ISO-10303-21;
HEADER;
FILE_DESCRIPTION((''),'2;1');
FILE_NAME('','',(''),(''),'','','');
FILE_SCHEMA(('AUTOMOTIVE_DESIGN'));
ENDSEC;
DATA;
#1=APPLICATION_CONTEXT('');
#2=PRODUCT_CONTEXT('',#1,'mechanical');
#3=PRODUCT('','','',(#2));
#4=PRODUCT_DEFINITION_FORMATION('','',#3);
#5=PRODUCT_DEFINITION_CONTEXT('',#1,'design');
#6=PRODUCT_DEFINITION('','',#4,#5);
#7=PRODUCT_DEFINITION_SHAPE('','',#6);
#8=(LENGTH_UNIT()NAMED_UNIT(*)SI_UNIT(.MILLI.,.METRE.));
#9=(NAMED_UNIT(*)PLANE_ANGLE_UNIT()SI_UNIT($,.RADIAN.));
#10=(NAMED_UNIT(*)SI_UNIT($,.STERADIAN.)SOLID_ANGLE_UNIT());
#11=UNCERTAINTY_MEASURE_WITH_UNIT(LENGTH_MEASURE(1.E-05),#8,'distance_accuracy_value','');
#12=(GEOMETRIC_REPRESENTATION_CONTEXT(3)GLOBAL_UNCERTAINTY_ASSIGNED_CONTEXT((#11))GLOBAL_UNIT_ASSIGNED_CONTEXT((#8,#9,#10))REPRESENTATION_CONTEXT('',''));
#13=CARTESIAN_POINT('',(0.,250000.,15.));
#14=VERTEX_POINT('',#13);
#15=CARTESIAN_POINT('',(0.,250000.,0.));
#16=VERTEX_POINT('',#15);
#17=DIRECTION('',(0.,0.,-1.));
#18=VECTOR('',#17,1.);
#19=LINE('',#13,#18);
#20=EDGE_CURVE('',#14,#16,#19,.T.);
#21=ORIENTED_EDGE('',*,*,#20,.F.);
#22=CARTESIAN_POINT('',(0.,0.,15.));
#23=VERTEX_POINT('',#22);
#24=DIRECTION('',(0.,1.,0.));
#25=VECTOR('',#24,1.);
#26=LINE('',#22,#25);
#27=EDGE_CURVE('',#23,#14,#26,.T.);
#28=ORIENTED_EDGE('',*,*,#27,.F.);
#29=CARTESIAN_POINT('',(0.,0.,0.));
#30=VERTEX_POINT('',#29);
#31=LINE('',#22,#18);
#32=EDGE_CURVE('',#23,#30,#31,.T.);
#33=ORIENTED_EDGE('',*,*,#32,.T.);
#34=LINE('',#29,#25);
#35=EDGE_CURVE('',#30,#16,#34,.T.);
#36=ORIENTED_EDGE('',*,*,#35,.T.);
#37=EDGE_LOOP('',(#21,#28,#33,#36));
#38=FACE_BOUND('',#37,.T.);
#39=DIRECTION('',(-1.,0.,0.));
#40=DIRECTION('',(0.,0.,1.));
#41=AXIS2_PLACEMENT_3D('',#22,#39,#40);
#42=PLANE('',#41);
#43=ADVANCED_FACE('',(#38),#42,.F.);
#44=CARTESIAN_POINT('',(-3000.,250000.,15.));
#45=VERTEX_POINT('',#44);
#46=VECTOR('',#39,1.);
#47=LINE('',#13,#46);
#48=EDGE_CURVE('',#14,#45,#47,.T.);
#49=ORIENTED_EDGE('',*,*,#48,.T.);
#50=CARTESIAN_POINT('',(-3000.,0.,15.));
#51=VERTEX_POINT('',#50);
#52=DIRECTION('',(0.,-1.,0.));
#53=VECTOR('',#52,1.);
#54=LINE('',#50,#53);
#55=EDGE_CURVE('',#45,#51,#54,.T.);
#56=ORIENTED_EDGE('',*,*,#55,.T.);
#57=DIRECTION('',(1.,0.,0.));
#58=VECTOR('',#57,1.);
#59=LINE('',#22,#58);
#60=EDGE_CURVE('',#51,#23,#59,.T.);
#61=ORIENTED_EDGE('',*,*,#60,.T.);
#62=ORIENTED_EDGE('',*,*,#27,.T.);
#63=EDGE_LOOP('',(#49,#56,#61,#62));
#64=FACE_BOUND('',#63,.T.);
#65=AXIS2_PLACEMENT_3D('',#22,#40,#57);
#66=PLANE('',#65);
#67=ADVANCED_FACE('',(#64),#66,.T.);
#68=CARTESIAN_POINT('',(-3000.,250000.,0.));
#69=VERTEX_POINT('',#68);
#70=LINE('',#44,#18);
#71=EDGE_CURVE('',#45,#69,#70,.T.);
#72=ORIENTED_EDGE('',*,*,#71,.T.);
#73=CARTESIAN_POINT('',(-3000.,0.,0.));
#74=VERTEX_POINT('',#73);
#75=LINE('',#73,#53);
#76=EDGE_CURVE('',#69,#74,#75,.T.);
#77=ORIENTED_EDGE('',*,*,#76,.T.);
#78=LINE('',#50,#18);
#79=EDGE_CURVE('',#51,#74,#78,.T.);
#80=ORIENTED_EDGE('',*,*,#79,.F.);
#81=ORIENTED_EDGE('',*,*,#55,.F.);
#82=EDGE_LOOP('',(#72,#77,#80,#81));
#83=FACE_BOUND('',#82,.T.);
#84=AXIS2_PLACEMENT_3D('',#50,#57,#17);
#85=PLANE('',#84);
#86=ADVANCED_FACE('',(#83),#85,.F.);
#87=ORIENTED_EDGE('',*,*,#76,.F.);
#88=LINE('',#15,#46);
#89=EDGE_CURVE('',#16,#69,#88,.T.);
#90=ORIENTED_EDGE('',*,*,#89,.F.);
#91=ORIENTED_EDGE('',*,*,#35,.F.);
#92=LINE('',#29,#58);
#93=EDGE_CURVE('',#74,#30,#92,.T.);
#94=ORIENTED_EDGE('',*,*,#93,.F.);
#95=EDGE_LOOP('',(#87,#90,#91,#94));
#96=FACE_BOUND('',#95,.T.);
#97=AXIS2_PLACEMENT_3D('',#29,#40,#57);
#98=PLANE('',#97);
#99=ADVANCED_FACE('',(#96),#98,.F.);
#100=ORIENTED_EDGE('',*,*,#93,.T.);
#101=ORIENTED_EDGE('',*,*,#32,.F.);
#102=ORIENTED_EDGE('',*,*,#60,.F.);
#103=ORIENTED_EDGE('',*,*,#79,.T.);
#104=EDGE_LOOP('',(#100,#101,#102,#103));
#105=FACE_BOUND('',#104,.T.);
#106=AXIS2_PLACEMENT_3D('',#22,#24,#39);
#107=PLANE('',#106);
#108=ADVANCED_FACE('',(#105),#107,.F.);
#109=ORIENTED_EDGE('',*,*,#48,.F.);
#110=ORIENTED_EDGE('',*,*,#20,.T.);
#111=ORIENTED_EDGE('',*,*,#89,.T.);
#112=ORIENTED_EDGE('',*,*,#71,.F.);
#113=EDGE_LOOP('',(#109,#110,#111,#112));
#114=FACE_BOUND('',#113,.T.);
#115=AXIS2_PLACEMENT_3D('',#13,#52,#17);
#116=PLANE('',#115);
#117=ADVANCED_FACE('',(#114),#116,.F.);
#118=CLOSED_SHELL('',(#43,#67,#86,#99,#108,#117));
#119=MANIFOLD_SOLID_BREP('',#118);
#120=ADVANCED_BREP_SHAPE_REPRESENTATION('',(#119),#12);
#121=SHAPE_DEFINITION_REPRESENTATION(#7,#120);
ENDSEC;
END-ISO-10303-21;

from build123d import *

# Parameters (mm, degrees)
SCHIZZO1_W                   = 3000
SCHIZZO1_H                   = 250000
ESTRUSIONE_ESTRUSIONE1_DEPTH = 15


with BuildPart() as part:
    # Schizzo1 → Estrusione-Estrusione1 (new body)
    with BuildSketch(Plane.XY):
        with Locations((-1500, 125000)):
            Rectangle(SCHIZZO1_W, SCHIZZO1_H)
    extrude(amount=ESTRUSIONE_ESTRUSIONE1_DEPTH)


solid = part.part
